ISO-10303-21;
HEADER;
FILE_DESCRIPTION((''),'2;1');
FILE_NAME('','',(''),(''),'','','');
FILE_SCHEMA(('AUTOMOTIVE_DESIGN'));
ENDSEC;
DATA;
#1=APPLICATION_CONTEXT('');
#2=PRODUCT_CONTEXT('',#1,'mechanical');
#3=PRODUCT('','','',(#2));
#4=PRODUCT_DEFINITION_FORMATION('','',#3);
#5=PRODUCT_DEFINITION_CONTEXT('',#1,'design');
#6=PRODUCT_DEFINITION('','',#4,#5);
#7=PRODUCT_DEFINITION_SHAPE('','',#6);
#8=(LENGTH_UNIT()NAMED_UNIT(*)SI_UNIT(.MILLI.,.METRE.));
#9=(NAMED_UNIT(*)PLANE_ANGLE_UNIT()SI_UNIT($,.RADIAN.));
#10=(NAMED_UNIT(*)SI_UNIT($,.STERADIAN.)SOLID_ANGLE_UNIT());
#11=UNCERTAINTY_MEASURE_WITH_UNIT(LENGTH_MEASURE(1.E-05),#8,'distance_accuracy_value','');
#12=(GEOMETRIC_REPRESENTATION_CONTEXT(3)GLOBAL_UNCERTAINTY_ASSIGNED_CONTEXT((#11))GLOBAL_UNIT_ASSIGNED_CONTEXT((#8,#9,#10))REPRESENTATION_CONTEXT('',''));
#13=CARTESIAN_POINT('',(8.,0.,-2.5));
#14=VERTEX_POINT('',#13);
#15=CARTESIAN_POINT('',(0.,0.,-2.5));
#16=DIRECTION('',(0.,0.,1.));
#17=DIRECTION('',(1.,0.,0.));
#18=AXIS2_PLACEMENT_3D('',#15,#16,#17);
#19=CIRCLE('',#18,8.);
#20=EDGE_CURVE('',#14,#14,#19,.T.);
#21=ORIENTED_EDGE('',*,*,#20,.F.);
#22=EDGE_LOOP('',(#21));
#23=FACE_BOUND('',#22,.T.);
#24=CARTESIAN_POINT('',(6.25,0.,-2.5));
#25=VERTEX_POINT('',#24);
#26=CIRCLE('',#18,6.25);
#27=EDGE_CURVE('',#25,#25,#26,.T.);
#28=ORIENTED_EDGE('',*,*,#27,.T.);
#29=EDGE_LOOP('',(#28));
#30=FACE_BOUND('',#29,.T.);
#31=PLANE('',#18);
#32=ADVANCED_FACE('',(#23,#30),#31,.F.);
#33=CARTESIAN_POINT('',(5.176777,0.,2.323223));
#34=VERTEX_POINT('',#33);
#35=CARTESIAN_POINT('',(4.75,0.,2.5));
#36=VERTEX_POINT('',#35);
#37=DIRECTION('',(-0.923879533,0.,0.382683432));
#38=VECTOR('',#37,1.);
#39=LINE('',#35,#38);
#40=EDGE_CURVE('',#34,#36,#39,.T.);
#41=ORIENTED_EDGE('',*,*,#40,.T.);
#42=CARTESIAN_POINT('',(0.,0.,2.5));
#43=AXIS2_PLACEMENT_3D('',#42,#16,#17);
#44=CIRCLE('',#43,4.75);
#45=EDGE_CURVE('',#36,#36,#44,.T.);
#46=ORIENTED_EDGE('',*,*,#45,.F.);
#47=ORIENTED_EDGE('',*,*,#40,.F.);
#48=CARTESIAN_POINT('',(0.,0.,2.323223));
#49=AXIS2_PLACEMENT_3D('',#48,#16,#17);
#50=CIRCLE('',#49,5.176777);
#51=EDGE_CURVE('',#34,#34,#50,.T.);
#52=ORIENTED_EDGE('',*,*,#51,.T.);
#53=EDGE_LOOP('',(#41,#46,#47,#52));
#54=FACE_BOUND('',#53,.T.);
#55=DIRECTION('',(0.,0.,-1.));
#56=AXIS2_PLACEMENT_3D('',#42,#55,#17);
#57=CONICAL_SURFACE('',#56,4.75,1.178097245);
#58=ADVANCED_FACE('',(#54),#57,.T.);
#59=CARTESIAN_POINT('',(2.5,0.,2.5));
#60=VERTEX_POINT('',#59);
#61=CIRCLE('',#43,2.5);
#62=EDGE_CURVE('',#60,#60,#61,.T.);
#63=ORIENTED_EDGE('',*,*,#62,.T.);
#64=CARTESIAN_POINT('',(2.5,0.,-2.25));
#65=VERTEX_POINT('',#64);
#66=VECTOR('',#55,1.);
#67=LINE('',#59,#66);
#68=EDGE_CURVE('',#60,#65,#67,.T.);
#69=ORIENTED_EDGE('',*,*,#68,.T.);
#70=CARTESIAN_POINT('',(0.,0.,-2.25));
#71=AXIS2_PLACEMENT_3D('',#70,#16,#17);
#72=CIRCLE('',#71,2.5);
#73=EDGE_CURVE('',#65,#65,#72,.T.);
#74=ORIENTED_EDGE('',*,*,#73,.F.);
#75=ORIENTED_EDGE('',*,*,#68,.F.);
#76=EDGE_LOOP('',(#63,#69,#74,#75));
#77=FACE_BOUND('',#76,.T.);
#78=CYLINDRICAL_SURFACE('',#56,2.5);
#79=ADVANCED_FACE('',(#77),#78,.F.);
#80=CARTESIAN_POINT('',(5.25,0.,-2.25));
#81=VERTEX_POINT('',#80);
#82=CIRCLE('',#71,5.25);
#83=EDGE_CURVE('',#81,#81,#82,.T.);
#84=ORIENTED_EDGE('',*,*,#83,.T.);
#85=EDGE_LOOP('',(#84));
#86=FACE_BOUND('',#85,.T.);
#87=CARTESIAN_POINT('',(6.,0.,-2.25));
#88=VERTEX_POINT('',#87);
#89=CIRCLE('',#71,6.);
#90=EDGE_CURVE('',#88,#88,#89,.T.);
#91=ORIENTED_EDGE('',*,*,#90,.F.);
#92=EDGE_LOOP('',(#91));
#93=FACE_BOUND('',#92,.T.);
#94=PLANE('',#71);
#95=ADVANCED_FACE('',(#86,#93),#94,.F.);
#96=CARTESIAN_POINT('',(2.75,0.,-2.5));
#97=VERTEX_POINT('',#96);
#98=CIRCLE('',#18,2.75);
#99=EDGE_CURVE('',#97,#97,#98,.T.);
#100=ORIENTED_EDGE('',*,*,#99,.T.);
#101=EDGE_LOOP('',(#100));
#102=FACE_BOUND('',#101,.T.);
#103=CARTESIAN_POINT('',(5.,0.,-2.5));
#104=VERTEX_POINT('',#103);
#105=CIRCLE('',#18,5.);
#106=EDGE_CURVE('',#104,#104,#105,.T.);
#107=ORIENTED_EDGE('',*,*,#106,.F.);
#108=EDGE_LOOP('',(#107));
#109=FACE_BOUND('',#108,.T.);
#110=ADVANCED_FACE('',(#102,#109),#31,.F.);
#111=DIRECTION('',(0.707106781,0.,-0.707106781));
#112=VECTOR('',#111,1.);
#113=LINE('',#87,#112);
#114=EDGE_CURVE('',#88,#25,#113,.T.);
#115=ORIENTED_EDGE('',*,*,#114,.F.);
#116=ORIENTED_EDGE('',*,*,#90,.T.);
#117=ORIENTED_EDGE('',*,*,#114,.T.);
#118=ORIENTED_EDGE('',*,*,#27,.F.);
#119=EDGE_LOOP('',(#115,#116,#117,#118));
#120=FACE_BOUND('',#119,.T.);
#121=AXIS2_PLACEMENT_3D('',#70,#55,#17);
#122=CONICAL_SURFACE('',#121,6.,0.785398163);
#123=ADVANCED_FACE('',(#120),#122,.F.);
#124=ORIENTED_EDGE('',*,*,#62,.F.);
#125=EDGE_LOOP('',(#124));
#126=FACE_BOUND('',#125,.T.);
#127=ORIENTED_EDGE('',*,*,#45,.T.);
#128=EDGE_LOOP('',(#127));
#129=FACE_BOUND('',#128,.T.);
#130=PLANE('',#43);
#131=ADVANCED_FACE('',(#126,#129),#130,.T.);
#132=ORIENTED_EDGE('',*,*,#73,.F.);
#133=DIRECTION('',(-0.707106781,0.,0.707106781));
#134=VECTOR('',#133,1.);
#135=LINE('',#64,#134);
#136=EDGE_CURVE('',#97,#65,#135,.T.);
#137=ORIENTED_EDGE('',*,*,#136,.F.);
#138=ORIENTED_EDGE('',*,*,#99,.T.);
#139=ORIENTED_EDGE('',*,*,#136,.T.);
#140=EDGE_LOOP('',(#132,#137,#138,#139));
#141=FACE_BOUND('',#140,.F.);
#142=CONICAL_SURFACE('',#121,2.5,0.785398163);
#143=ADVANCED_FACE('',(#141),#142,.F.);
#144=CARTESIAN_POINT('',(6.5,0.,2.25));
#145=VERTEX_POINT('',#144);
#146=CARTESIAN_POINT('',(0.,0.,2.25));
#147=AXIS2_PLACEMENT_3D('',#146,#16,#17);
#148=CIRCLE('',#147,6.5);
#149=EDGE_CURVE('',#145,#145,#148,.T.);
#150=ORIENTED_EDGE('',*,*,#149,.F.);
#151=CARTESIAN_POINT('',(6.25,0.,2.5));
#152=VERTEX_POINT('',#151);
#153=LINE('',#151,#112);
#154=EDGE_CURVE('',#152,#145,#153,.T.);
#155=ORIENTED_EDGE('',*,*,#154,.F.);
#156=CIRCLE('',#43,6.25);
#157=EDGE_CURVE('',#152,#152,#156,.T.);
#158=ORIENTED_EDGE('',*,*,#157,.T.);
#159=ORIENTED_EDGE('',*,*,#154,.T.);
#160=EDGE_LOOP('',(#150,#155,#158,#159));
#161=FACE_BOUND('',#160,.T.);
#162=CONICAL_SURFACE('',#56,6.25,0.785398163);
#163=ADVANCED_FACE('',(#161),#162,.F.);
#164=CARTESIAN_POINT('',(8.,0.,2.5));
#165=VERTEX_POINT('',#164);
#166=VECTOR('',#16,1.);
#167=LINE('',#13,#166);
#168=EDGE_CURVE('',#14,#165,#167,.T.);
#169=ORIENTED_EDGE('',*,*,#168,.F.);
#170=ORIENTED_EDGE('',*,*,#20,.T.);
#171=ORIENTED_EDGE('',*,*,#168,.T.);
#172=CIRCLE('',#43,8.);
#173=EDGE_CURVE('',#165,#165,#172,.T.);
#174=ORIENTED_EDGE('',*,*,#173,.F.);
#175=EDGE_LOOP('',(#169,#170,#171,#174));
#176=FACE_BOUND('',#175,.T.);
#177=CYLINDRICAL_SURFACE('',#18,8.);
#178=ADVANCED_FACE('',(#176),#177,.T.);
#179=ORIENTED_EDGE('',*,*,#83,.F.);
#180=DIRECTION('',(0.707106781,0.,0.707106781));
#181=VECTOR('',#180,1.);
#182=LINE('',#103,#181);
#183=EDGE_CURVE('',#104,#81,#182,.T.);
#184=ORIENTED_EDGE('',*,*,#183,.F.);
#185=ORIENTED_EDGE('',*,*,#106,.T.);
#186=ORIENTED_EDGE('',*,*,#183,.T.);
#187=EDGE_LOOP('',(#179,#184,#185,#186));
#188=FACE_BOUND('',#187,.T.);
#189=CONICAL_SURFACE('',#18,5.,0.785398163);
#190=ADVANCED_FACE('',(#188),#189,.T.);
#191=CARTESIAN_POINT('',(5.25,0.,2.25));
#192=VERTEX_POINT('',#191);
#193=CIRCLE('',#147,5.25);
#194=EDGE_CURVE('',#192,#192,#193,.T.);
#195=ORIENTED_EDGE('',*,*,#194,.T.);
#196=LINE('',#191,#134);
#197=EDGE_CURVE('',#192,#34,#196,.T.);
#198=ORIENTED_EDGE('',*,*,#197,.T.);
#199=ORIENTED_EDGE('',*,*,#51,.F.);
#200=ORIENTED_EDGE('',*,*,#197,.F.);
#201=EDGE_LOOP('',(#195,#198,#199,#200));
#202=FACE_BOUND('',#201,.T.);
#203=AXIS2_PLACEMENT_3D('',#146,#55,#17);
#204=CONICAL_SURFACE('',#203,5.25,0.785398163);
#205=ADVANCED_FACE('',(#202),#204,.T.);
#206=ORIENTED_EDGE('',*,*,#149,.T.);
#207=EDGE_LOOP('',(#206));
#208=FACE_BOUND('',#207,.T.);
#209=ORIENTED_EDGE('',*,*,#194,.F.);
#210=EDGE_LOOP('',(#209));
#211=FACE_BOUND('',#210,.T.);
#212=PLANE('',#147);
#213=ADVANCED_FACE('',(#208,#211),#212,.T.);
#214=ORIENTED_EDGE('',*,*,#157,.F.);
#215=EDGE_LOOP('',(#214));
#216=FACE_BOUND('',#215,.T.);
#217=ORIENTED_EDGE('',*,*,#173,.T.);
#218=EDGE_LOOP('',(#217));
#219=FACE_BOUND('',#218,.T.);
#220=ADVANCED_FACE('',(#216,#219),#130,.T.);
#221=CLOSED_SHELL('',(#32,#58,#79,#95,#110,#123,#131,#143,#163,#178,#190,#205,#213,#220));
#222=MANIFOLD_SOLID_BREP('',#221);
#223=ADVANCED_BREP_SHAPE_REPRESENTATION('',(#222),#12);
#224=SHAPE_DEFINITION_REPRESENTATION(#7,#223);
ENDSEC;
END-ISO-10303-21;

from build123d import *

# Parameters (mm, degrees)
CHAMFER_SIZE = 0.25


with BuildPart() as part:
    # Sketch → Revolution (revolve)
    with BuildSketch(Plane.XZ):
        Polygon((2.5, -2.5), (5, -2.5), (5.25, -2.25), (6, -2.25), (6.25, -2.5), (8, -2.5), (8, 2.5), (6.25, 2.5), (6.5, 2.25), (5.25, 2.25), (5, 2.5), (2.5, 2.5), align=None)
    revolve(axis=Axis((0, 0, 0), (0, 0, 1)))

    # Chamfer
    chamfer_edges = [part.edges().sort_by_distance(p)[0] for p in [
        (-5, 0, 2.5),
        (-2.5, 0, -2.5),
    ]]
    chamfer(chamfer_edges, length=CHAMFER_SIZE)


solid = part.part
